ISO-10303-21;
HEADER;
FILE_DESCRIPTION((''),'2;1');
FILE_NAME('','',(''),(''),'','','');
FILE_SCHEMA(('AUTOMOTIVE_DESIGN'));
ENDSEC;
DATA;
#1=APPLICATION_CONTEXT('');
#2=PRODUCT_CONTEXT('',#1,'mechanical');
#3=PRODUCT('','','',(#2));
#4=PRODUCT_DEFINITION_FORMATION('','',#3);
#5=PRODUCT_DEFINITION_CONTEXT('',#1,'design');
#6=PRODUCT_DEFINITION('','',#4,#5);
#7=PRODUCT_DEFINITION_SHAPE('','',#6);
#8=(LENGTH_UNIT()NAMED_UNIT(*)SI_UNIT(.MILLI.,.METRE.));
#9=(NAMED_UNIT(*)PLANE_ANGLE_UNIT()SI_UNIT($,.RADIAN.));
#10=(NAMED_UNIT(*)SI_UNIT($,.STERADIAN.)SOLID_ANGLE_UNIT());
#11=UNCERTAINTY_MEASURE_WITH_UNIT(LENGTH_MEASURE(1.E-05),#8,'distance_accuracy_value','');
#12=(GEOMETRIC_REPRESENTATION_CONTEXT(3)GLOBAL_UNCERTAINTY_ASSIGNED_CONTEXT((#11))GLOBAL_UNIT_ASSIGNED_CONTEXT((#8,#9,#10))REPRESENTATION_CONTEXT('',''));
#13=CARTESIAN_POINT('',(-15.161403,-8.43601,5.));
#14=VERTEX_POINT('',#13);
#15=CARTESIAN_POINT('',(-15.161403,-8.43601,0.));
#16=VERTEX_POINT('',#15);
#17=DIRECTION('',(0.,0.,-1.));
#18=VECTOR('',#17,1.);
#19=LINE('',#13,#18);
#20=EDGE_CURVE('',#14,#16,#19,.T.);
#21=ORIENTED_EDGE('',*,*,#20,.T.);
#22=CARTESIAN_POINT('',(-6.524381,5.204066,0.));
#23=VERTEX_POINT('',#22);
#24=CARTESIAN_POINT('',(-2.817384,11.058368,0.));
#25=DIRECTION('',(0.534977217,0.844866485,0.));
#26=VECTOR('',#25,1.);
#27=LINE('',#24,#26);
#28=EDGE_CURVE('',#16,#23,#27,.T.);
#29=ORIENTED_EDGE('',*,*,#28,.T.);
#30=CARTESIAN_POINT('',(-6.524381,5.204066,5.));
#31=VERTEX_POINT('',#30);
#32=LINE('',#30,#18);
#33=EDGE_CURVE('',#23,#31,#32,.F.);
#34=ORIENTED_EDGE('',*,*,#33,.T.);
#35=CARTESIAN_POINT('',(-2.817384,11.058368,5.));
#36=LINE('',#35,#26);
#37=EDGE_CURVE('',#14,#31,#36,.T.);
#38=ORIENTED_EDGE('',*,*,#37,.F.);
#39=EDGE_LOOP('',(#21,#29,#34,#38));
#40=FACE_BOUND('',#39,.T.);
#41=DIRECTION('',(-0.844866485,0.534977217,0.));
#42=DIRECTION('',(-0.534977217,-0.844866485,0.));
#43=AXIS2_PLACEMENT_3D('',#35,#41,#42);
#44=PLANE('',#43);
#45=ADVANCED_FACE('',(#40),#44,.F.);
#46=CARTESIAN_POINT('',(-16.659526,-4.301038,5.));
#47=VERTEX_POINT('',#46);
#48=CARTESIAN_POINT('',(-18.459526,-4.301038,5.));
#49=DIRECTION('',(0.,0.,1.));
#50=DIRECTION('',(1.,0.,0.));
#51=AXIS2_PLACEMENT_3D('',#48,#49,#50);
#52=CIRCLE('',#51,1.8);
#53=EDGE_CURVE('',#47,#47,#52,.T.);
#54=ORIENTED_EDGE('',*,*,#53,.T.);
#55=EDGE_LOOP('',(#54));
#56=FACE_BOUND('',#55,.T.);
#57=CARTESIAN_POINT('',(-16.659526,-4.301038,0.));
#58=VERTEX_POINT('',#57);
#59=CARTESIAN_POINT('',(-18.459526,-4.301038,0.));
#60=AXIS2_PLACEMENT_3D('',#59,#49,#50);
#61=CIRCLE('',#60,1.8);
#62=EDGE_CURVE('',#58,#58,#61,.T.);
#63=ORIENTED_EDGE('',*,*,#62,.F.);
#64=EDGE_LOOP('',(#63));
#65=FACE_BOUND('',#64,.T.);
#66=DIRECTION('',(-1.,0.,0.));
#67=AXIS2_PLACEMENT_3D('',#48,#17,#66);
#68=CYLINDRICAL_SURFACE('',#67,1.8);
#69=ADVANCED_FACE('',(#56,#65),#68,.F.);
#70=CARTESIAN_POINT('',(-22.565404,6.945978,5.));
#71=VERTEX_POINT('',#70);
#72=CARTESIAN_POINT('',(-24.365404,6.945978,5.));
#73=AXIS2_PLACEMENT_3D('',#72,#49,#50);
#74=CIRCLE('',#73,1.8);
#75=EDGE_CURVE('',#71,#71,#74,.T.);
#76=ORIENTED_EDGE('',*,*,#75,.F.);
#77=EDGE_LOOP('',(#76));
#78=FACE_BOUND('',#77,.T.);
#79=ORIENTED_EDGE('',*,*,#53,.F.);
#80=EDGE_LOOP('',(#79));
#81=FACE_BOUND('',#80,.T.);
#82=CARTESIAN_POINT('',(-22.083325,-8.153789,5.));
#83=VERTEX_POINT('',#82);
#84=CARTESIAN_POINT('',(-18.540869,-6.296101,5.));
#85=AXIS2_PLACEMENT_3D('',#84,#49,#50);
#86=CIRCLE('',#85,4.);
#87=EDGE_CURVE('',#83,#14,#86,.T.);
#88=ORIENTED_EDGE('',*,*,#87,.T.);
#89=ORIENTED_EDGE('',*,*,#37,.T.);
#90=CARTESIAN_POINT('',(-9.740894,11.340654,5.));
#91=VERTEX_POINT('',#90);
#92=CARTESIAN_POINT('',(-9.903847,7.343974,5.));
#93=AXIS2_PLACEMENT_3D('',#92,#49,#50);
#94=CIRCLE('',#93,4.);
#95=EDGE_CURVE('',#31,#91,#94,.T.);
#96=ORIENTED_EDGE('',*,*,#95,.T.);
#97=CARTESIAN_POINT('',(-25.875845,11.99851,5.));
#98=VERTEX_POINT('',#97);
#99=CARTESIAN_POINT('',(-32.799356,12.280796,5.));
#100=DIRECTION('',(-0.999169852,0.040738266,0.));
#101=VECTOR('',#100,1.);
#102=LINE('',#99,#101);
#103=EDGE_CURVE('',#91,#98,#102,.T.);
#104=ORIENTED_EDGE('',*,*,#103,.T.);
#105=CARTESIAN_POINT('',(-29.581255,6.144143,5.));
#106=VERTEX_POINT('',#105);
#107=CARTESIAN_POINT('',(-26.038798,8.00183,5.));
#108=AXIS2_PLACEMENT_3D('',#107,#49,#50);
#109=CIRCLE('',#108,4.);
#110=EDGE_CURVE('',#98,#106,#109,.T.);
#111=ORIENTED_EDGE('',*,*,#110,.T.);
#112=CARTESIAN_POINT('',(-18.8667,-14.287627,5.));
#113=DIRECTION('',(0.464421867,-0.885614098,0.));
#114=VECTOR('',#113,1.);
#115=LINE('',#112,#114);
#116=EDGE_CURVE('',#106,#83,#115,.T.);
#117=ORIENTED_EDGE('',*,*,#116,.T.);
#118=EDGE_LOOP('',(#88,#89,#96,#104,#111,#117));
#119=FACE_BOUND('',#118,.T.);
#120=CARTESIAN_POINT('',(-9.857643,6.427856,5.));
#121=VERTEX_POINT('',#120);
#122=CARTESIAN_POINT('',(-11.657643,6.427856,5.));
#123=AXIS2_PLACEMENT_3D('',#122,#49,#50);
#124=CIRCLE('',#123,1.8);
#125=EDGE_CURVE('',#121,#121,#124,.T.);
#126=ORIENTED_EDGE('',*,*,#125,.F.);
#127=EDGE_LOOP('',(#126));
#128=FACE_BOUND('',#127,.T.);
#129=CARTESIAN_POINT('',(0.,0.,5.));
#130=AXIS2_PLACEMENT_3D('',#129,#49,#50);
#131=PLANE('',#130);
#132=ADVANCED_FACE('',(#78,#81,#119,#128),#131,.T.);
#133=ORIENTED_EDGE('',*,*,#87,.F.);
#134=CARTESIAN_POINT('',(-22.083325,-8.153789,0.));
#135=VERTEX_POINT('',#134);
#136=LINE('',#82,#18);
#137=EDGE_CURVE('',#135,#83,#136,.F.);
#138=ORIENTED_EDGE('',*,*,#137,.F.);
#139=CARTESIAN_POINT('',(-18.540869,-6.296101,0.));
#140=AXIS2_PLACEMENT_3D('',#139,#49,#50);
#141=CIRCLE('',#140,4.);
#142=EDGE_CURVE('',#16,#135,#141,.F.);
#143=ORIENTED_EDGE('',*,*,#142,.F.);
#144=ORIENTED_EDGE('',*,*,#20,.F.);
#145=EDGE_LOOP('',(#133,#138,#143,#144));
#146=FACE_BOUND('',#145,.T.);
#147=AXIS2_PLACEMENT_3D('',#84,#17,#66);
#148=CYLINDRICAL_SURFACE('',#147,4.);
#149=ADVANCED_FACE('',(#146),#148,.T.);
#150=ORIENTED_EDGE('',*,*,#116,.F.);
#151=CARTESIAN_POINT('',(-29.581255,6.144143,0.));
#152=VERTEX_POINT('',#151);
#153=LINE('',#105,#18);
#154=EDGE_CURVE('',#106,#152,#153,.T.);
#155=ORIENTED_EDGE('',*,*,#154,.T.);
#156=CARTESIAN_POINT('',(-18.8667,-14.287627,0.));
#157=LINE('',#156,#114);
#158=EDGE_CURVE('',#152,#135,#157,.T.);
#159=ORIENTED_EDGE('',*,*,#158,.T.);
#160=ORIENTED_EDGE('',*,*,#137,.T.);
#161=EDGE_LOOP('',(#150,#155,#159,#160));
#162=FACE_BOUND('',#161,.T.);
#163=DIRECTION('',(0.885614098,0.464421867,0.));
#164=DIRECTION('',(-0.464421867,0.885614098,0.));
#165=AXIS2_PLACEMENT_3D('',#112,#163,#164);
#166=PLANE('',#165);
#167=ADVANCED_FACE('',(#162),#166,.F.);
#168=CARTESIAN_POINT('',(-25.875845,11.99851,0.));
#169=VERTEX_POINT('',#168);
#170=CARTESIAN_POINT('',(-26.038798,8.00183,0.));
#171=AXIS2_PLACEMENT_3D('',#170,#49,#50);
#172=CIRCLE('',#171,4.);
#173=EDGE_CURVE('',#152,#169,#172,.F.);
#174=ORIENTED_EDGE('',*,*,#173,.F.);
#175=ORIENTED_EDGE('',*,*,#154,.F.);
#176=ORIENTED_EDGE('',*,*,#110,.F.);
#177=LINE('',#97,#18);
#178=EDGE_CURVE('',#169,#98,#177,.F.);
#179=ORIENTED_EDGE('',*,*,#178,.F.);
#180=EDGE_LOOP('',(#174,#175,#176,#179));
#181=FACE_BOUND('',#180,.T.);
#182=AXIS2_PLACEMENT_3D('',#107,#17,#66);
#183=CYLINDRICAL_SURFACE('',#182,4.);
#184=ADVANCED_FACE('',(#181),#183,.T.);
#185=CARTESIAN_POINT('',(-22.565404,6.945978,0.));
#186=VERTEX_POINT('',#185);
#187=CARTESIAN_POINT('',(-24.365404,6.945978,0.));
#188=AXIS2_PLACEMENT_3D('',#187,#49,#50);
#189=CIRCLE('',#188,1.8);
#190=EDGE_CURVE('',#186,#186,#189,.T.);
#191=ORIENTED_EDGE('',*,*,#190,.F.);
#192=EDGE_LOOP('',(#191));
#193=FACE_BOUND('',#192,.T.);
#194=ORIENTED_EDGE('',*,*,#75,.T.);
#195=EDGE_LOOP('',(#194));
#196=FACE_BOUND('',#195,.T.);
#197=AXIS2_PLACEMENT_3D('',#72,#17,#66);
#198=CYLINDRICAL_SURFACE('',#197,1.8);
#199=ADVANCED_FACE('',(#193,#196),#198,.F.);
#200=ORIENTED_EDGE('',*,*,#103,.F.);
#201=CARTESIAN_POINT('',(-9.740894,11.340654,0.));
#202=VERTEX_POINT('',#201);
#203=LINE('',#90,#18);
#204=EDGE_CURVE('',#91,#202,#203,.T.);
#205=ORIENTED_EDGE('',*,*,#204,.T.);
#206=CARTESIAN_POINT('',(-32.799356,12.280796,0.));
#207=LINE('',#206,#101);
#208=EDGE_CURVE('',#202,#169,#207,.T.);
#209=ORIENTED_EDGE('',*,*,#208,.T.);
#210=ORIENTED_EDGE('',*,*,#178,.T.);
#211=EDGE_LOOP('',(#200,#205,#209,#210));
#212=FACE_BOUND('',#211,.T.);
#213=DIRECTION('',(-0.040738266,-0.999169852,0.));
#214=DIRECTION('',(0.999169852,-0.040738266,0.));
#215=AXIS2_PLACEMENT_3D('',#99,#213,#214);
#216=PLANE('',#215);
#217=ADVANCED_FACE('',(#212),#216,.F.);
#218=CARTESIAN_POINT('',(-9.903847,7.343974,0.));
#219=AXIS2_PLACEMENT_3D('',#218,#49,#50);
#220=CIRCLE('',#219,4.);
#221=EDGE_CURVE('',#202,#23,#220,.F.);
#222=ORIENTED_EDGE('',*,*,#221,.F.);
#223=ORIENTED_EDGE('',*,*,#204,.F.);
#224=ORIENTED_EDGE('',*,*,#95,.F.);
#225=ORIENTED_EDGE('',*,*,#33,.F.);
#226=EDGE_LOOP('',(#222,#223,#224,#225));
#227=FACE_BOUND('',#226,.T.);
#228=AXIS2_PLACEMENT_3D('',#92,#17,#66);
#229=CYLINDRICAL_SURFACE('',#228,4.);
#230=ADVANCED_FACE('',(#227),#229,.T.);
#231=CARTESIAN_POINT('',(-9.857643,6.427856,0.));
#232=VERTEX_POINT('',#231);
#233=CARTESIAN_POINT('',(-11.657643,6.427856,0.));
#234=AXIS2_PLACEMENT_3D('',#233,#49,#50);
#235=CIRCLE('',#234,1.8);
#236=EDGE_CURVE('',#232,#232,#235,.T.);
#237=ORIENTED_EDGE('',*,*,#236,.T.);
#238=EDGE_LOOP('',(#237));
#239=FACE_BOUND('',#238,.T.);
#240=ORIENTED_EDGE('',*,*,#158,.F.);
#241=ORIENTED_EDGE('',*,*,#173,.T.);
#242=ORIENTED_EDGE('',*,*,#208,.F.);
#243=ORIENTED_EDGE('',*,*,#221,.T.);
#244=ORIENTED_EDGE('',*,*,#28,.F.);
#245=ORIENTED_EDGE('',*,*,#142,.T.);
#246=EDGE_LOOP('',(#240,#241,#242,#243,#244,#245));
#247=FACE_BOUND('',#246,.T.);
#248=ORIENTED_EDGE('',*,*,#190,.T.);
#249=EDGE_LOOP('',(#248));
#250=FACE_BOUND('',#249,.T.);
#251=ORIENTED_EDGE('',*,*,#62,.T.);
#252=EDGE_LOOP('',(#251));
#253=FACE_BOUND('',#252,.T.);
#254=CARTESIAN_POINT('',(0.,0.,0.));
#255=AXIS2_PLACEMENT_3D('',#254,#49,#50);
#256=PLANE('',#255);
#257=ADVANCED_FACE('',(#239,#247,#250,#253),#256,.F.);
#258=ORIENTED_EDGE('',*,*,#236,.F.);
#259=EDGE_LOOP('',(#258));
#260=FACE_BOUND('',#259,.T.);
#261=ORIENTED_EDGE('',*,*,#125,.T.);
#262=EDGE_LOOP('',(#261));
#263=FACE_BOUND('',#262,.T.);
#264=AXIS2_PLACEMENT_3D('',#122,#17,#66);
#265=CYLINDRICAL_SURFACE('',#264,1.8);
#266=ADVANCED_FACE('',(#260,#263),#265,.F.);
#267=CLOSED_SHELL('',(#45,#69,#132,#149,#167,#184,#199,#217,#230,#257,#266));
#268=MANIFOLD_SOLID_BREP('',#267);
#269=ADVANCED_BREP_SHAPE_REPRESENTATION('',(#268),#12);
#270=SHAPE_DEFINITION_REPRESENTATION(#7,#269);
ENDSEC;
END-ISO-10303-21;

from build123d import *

# Parameters (mm, degrees)
ESQUISSE1_R        = 1.8
BOSS_EXTRU_1_DEPTH = 5
CONG_1_R           = 4


with BuildPart() as part:
    # Esquisse1 → Boss.-Extru.1 (new body)
    with BuildSketch(Plane.XY):
        Polygon((-32.799356044, 12.280796054), (-2.817383551, 11.058367683), (-18.866700046, -14.287626874), align=None)
        with Locations((-18.459525699, -4.301037602)):
            Circle(ESQUISSE1_R, mode=Mode.SUBTRACT)
        with Locations((-24.365403682, 6.945977976)):
            Circle(ESQUISSE1_R, mode=Mode.SUBTRACT)
        with Locations((-11.657643474, 6.427855741)):
            Circle(ESQUISSE1_R, mode=Mode.SUBTRACT)
    extrude(amount=BOSS_EXTRU_1_DEPTH)

    # Congé1
    cong_1_edges = [part.edges().sort_by_distance(p)[0] for p in [
        (-32.799356044, 12.280796054, 2.5),
        (-2.817383551, 11.058367683, 2.5),
        (-18.866700046, -14.287626874, 2.5),
    ]]
    fillet(cong_1_edges, radius=CONG_1_R)


solid = part.part
